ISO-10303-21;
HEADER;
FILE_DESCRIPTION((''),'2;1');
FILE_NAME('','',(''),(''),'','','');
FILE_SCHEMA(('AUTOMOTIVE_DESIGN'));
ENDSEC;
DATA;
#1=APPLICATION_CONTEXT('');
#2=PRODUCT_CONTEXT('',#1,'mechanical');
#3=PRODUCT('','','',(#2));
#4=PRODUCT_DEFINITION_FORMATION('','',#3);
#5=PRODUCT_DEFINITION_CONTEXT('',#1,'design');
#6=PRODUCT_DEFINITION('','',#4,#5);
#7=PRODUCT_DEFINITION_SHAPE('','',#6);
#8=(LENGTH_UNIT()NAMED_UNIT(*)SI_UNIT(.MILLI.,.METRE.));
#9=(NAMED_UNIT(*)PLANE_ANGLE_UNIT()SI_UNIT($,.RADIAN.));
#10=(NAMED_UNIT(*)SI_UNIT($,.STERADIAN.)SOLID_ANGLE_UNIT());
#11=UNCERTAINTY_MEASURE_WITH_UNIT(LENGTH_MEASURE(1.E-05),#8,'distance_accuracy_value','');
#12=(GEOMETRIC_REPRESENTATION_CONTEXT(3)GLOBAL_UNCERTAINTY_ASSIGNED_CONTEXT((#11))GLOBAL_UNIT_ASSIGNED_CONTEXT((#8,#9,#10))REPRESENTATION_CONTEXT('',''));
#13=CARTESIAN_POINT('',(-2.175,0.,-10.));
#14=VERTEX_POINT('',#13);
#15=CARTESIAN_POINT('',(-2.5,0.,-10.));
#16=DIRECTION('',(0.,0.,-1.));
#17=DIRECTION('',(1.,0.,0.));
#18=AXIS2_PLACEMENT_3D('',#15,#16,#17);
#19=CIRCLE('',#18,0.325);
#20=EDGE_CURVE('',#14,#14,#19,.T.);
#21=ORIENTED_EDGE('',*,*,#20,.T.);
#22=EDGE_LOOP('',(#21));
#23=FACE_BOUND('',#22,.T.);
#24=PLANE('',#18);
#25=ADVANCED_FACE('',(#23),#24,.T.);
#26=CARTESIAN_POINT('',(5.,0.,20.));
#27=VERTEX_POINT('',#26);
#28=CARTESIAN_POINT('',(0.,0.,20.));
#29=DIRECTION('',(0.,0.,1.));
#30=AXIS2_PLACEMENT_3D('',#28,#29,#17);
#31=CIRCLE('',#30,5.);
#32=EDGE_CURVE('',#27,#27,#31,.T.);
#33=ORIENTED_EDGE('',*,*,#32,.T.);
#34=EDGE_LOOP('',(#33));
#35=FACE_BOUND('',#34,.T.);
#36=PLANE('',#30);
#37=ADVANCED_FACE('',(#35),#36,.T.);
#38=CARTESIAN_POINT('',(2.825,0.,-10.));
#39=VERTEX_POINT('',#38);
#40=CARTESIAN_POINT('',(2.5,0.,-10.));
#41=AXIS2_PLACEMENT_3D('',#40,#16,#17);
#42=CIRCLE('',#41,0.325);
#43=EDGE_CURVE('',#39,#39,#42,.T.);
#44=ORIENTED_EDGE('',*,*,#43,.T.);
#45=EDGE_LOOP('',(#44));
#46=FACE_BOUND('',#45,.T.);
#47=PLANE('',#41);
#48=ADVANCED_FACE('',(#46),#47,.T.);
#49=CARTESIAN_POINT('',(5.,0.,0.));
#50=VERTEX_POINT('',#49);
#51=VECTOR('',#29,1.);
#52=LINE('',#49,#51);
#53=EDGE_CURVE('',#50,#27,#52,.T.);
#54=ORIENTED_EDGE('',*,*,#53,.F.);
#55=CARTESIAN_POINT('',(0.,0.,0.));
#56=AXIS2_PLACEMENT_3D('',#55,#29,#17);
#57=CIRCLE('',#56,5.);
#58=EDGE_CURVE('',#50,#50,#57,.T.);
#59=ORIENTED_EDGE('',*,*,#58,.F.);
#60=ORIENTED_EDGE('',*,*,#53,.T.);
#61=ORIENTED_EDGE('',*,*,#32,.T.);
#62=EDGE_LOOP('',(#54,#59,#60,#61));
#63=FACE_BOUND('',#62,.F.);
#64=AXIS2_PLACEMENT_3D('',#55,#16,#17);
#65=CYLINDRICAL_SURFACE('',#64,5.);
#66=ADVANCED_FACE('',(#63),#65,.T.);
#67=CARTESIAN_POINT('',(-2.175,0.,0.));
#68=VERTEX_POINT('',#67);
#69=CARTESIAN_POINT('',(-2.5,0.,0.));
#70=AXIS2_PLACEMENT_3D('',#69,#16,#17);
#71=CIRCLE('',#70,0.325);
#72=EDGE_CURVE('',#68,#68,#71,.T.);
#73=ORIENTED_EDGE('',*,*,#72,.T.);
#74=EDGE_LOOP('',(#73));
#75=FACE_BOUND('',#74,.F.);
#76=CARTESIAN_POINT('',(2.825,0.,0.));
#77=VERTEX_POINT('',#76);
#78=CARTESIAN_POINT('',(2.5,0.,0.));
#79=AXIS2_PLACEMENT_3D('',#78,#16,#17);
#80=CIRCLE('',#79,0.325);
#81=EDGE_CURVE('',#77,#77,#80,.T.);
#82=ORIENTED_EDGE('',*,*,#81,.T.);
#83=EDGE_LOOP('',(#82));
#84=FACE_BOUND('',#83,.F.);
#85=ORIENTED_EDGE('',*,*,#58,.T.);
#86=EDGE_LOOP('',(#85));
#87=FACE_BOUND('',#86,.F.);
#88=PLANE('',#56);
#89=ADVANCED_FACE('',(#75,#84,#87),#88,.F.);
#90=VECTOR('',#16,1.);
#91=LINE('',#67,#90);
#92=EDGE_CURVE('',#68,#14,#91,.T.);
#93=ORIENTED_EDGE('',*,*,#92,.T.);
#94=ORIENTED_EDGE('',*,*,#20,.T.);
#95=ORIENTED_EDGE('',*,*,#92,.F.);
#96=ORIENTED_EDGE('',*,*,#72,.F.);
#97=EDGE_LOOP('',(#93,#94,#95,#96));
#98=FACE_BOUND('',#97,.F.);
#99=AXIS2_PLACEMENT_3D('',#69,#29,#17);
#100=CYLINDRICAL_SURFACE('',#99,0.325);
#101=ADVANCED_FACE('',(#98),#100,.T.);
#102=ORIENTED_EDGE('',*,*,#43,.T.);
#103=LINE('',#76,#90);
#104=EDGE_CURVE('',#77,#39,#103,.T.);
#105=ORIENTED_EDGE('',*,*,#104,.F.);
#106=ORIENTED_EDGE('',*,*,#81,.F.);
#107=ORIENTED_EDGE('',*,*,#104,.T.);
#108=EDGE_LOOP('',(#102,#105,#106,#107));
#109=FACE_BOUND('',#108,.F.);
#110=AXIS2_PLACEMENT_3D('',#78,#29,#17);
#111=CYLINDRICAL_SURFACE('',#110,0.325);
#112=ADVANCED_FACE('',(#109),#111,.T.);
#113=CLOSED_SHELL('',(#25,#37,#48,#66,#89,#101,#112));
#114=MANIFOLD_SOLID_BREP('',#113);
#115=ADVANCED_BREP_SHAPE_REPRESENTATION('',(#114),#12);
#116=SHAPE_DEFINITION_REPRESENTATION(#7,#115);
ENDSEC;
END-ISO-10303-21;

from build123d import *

# Parameters (mm, degrees)
F0_R     = 5
F1_DEPTH = 20
F2_R     = 0.325
F3_DEPTH = 10


with BuildPart() as f1:
    # F0 (on Top) → F1 (new body)
    with BuildSketch(Plane.XY):
        Circle(F0_R)
    extrude(amount=F1_DEPTH)

    # F2 (on face) → F3 (join)
    with BuildSketch(Plane(origin=(0, 0, 0), x_dir=(1, 0, 0), z_dir=(0, 0, -1))):
        with Locations((-2.5, 0)):
            Circle(F2_R)
        with Locations((2.5, 0)):
            Circle(F2_R)
    extrude(amount=F3_DEPTH)


solid = f1.part
